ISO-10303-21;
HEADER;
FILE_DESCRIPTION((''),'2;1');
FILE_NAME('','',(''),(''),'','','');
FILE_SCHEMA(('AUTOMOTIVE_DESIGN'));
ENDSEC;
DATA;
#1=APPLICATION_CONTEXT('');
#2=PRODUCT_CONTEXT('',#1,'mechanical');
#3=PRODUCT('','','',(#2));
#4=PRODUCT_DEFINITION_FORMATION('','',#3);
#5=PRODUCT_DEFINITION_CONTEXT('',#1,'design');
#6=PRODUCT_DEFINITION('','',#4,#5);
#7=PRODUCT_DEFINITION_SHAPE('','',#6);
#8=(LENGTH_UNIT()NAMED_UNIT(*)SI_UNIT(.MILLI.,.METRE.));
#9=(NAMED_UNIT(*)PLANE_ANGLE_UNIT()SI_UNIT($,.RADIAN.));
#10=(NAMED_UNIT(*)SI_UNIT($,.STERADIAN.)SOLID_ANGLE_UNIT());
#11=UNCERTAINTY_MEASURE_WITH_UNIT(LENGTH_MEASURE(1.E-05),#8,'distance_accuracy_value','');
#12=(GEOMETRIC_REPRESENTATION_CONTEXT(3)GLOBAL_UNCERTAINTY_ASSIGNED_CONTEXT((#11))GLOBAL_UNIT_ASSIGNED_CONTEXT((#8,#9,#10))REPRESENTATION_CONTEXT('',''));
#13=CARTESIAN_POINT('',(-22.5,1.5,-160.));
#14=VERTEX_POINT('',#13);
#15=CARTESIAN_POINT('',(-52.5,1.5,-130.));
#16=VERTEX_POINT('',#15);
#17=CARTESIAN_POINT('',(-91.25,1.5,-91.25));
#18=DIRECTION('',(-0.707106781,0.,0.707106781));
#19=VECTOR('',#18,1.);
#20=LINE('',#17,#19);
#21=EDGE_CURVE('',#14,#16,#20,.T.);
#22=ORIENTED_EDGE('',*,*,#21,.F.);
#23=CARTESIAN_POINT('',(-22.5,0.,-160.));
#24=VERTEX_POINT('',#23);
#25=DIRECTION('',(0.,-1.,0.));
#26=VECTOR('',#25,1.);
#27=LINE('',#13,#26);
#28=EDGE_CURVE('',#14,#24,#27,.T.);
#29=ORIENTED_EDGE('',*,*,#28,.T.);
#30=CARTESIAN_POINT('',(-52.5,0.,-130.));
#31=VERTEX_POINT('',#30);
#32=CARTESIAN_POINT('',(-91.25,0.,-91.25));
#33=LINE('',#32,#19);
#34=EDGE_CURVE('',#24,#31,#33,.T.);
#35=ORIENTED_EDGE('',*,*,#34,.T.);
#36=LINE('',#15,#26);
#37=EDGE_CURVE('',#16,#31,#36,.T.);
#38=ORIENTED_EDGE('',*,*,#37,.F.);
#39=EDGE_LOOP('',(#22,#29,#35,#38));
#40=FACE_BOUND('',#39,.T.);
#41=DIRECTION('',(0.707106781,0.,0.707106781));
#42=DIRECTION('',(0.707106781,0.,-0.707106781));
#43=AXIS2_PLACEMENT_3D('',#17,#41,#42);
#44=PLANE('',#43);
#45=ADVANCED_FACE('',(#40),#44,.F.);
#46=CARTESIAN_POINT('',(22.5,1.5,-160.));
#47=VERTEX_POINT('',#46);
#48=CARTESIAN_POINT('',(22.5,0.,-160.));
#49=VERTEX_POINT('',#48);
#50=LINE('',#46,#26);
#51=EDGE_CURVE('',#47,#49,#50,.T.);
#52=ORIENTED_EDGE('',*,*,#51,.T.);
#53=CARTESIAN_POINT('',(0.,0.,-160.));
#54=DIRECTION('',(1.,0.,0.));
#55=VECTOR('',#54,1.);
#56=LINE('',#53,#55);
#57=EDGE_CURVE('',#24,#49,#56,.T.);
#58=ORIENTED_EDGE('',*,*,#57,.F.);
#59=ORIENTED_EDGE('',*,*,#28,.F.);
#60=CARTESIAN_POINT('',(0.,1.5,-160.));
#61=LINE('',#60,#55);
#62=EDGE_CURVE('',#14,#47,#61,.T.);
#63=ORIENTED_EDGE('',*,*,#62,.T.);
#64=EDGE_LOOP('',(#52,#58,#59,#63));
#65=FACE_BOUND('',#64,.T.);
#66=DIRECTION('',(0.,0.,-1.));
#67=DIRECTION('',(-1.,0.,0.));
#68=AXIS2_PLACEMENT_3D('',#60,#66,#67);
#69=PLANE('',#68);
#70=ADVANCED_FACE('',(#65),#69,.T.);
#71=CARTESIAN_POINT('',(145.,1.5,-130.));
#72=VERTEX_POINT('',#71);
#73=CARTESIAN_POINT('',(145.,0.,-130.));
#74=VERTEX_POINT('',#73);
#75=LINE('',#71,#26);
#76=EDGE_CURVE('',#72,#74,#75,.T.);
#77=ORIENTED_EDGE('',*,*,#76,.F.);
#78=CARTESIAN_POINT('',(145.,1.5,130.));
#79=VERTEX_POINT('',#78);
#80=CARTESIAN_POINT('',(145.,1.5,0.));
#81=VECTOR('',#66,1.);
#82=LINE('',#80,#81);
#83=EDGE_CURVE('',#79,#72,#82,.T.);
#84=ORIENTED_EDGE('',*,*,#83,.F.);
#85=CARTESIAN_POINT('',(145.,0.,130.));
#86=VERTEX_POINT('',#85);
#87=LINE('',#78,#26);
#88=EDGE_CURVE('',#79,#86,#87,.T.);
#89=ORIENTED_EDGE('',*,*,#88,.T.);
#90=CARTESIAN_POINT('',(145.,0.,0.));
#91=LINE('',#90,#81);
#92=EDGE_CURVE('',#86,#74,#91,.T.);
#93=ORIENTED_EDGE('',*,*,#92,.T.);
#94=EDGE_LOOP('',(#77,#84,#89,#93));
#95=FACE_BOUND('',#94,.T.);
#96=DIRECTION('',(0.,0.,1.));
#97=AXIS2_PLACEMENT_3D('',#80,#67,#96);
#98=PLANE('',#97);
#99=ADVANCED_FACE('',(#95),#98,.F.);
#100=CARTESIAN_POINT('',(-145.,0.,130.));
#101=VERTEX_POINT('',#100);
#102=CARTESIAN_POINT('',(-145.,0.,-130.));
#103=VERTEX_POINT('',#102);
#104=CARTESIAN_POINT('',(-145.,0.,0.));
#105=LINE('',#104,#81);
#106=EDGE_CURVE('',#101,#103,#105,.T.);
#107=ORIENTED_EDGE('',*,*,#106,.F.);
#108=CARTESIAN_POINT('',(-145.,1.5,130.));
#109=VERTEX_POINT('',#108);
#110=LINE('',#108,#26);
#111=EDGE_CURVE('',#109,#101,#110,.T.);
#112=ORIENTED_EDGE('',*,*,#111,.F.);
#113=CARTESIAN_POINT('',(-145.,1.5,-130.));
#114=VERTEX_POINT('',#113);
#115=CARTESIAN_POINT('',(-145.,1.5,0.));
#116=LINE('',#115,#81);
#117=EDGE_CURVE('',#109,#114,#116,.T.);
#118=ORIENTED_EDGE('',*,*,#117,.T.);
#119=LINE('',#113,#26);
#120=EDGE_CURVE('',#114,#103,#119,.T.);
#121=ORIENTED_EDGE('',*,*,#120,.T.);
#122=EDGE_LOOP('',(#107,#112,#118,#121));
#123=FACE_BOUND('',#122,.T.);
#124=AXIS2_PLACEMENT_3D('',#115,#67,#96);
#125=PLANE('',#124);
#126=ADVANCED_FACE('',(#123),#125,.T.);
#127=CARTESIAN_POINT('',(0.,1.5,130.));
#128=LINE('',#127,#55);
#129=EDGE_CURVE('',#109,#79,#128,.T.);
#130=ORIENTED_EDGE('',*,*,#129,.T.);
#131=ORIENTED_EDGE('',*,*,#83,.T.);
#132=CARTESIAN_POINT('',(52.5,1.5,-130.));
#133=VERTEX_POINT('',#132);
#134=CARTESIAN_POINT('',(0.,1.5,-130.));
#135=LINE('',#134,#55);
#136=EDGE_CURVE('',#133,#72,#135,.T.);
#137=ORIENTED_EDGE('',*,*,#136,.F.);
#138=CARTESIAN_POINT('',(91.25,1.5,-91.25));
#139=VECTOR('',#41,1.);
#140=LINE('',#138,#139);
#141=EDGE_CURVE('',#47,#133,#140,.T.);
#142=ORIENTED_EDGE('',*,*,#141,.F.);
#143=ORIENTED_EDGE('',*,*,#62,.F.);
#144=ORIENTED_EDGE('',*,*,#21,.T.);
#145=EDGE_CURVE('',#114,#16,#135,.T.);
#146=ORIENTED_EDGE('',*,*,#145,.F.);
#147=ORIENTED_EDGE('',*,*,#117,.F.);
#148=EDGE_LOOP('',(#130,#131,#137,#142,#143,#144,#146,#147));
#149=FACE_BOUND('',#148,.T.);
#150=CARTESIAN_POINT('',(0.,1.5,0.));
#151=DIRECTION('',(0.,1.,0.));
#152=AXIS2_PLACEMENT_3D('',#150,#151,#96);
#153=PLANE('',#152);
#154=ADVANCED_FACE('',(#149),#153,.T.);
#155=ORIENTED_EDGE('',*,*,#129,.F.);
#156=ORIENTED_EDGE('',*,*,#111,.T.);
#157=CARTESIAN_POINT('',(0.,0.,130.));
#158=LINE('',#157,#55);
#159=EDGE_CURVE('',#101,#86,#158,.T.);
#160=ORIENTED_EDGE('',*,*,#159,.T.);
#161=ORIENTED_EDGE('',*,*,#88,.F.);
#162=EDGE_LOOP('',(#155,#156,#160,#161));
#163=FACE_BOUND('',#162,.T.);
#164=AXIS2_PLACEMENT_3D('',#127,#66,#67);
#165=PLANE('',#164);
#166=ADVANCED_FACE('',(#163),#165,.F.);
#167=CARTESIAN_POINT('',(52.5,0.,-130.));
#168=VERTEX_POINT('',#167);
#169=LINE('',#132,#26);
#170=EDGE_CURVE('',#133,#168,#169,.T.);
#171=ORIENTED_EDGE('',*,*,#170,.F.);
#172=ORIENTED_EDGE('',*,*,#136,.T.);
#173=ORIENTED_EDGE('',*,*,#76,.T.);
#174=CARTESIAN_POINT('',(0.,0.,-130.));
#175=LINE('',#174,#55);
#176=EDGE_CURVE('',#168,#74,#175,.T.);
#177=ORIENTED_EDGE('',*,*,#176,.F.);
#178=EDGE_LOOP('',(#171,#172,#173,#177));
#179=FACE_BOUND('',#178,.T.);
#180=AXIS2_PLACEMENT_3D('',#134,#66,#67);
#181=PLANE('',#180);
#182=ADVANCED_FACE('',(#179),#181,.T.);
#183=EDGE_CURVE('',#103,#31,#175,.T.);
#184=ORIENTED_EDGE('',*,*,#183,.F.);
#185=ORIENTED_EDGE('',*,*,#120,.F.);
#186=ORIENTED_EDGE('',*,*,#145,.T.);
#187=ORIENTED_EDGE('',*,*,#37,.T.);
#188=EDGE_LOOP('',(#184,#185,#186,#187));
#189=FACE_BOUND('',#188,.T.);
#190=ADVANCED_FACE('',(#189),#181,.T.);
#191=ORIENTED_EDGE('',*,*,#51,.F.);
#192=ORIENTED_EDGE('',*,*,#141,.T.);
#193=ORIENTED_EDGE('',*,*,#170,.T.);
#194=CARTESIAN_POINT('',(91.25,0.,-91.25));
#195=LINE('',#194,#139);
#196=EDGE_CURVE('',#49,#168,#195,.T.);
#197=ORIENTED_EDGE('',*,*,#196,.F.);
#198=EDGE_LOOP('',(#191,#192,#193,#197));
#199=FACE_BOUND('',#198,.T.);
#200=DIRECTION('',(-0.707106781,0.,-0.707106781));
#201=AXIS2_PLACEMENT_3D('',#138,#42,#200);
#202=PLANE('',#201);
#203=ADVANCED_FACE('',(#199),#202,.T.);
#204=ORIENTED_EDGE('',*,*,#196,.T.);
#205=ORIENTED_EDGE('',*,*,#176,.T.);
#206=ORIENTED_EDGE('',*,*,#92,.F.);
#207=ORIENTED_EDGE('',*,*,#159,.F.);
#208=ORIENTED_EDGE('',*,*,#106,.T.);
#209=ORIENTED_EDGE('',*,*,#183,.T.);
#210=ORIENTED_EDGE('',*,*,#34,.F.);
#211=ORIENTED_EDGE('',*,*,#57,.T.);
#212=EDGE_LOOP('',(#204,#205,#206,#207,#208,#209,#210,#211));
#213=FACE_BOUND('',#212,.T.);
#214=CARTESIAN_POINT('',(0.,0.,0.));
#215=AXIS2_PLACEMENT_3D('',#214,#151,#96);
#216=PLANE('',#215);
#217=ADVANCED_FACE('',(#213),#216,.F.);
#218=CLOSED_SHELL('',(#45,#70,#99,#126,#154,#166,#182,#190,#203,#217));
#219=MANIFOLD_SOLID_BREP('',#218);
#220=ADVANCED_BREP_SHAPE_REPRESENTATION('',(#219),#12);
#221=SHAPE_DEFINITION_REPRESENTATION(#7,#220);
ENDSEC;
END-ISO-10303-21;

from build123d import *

# Parameters (mm, degrees)
SKETCH1_W           = 290
SKETCH1_H           = 260
BOSS_EXTRUDE1_DEPTH = 1.5


with BuildPart() as part:
    # Sketch1 → Boss-Extrude1 (new body)
    with BuildSketch(Plane(origin=(0, 0, 0), x_dir=(1, 0, 0), z_dir=(0, 1, 0))):
        Rectangle(SKETCH1_W, SKETCH1_H)
        Polygon((-52.5, 130), (0, 130), (0, 160), (-22.5, 160), align=None)
        Polygon((0, 160), (0, 130), (52.5, 130), (22.5, 160), align=None)
    extrude(amount=BOSS_EXTRUDE1_DEPTH)


solid = part.part
